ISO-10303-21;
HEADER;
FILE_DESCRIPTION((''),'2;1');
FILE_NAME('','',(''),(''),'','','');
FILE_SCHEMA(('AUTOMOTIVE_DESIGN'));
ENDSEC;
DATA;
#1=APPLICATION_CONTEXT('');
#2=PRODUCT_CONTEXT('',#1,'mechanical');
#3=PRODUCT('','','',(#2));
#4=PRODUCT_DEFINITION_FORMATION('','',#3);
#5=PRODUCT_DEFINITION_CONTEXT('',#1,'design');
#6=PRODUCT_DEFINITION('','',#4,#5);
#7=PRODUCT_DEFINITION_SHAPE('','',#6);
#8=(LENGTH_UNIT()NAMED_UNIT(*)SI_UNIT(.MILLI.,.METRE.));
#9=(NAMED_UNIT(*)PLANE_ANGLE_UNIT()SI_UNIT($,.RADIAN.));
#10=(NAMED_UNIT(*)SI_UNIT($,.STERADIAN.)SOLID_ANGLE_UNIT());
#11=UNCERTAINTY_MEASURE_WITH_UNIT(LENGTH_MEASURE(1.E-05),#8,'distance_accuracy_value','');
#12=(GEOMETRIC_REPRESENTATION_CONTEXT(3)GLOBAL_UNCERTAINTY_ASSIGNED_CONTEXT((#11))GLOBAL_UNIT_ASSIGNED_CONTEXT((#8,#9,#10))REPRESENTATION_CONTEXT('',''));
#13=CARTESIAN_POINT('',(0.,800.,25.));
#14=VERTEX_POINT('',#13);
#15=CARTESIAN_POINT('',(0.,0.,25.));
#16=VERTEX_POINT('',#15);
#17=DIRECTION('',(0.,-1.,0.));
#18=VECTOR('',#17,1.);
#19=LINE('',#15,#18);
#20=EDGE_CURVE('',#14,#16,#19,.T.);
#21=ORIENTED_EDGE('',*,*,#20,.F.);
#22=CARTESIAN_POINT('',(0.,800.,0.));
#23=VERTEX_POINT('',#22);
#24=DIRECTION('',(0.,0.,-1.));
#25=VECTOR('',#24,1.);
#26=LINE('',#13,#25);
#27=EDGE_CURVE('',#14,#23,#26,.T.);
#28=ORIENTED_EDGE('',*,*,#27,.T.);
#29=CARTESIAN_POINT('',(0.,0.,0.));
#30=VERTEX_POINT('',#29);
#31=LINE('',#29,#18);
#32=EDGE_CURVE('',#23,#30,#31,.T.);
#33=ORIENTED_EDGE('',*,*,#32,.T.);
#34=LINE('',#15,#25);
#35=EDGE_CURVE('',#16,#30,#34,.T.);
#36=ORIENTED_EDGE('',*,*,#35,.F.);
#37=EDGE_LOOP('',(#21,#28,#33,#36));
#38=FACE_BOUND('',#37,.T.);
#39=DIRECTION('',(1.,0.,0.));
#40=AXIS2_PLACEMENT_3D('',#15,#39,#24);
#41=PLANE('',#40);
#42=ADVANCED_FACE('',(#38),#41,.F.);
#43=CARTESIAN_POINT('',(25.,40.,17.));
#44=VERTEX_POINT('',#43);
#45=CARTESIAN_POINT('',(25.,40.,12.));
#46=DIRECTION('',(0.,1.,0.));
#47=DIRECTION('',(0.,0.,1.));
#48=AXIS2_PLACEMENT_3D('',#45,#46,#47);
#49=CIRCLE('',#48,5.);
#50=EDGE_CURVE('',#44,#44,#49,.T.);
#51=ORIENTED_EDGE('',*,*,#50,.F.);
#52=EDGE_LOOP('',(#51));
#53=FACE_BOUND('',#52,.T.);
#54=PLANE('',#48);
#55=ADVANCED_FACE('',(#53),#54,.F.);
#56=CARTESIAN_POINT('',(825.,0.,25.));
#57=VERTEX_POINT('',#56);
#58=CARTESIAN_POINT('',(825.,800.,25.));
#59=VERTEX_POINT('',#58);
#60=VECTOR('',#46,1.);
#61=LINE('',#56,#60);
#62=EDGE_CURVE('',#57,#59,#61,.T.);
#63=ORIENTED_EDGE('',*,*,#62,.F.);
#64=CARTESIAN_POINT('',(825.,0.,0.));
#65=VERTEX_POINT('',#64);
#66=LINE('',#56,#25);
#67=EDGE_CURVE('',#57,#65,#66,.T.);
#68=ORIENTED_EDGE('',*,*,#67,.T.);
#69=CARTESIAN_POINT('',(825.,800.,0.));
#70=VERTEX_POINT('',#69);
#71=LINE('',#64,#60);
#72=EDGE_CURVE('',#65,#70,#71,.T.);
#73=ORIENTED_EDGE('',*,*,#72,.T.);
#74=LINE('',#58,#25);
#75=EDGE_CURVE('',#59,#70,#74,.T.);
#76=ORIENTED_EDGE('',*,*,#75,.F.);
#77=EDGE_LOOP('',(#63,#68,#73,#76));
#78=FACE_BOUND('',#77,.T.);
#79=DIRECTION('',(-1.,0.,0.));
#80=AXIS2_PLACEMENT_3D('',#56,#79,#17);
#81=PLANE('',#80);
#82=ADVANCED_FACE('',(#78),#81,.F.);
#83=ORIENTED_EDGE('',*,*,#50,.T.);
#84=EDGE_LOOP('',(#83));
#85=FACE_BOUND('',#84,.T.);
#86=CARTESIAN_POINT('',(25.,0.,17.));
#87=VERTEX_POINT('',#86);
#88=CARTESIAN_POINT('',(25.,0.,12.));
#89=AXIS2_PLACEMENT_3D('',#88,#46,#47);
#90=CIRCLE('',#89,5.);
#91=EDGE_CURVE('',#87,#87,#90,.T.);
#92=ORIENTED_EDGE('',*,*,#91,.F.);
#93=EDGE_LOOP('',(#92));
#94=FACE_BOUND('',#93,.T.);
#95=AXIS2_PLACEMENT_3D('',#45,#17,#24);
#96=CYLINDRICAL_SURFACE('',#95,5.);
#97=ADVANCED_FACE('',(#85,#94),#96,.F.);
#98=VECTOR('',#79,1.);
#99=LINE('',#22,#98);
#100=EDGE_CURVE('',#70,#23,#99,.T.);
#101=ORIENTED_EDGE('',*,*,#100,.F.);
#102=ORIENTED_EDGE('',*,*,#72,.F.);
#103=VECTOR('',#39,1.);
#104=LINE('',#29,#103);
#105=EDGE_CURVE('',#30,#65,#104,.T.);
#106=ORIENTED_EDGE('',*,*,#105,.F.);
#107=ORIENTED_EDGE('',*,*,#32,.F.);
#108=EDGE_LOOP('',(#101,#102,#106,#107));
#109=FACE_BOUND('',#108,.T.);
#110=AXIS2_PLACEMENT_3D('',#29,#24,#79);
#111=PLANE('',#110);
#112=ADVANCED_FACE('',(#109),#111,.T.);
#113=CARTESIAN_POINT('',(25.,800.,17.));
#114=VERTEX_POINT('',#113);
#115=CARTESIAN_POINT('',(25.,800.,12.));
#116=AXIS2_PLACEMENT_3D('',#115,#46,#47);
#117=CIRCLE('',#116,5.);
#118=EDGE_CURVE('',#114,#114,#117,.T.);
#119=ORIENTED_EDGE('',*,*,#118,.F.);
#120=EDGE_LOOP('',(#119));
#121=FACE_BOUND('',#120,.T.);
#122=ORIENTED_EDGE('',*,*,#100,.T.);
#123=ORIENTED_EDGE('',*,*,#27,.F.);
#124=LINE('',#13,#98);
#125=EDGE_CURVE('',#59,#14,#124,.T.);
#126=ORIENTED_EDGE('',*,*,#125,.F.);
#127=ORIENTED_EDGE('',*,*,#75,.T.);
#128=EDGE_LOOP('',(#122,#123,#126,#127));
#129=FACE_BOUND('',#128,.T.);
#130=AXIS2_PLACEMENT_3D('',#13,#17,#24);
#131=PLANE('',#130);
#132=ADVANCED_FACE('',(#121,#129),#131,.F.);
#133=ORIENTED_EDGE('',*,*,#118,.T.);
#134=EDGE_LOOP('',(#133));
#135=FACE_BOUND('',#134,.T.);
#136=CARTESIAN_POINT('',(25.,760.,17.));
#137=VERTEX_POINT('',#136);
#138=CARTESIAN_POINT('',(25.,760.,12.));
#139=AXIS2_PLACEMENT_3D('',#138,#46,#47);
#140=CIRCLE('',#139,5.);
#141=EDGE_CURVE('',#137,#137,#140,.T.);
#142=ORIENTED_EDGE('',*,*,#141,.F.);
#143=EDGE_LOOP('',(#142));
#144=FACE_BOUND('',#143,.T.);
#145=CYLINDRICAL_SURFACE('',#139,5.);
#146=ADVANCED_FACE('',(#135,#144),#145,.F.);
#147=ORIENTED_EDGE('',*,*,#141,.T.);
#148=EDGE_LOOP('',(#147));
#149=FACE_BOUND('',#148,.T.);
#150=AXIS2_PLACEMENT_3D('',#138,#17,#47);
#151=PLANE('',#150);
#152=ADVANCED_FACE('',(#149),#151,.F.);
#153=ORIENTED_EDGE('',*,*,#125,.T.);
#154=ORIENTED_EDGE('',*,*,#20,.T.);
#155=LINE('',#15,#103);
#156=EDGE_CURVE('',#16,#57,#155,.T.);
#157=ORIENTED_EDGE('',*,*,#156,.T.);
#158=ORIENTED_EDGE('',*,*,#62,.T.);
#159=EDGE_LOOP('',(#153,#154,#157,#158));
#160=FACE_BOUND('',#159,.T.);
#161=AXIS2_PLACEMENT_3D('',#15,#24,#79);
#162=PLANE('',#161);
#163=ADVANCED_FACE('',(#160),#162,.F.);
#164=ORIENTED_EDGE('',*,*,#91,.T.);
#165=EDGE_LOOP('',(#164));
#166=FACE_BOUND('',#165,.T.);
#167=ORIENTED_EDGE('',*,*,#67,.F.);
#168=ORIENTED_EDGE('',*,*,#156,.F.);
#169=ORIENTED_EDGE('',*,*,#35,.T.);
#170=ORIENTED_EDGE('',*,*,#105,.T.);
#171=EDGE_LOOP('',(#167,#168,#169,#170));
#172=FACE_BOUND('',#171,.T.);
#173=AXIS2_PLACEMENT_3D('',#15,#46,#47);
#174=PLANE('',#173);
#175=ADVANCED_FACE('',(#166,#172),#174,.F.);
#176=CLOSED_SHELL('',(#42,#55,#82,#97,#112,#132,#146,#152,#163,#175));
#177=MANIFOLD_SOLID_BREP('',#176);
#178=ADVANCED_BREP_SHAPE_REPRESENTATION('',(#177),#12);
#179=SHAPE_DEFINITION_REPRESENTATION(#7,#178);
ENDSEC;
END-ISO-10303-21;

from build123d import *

# Parameters (mm, degrees)
SZKIC1_W                    = 825
SZKIC1_H                    = 800
DODANIE_WYCI_GNI_CIE1_DEPTH = 25
SZKIC3_R                    = 5
WYTNIJ_WYCI_GNI_CIE1_DEPTH  = 40


with BuildPart() as part:
    # Szkic1 → Dodanie-wyciągnięcie1 (new body)
    with BuildSketch(Plane.XY):
        with Locations((412.5, 400)):
            Rectangle(SZKIC1_W, SZKIC1_H)
    extrude(amount=DODANIE_WYCI_GNI_CIE1_DEPTH)

    # Szkic3 → Wytnij-wyciągnięcie1 (cut)
    with BuildSketch(Plane(origin=(0, 0, 0), x_dir=(1, 0, 0), z_dir=(0, 1, 0))):
        with Locations(Location((25, -12, 0), (0, 0, 270))):
            Circle(SZKIC3_R)
    wytnij_wyci_gni_cie1 = extrude(amount=WYTNIJ_WYCI_GNI_CIE1_DEPTH, mode=Mode.SUBTRACT)

    # Lustro1: Wytnij-wyciągnięcie1 across plane
    add(wytnij_wyci_gni_cie1.mirror(Plane.ZX.offset(400)), mode=Mode.SUBTRACT)


solid = part.part
